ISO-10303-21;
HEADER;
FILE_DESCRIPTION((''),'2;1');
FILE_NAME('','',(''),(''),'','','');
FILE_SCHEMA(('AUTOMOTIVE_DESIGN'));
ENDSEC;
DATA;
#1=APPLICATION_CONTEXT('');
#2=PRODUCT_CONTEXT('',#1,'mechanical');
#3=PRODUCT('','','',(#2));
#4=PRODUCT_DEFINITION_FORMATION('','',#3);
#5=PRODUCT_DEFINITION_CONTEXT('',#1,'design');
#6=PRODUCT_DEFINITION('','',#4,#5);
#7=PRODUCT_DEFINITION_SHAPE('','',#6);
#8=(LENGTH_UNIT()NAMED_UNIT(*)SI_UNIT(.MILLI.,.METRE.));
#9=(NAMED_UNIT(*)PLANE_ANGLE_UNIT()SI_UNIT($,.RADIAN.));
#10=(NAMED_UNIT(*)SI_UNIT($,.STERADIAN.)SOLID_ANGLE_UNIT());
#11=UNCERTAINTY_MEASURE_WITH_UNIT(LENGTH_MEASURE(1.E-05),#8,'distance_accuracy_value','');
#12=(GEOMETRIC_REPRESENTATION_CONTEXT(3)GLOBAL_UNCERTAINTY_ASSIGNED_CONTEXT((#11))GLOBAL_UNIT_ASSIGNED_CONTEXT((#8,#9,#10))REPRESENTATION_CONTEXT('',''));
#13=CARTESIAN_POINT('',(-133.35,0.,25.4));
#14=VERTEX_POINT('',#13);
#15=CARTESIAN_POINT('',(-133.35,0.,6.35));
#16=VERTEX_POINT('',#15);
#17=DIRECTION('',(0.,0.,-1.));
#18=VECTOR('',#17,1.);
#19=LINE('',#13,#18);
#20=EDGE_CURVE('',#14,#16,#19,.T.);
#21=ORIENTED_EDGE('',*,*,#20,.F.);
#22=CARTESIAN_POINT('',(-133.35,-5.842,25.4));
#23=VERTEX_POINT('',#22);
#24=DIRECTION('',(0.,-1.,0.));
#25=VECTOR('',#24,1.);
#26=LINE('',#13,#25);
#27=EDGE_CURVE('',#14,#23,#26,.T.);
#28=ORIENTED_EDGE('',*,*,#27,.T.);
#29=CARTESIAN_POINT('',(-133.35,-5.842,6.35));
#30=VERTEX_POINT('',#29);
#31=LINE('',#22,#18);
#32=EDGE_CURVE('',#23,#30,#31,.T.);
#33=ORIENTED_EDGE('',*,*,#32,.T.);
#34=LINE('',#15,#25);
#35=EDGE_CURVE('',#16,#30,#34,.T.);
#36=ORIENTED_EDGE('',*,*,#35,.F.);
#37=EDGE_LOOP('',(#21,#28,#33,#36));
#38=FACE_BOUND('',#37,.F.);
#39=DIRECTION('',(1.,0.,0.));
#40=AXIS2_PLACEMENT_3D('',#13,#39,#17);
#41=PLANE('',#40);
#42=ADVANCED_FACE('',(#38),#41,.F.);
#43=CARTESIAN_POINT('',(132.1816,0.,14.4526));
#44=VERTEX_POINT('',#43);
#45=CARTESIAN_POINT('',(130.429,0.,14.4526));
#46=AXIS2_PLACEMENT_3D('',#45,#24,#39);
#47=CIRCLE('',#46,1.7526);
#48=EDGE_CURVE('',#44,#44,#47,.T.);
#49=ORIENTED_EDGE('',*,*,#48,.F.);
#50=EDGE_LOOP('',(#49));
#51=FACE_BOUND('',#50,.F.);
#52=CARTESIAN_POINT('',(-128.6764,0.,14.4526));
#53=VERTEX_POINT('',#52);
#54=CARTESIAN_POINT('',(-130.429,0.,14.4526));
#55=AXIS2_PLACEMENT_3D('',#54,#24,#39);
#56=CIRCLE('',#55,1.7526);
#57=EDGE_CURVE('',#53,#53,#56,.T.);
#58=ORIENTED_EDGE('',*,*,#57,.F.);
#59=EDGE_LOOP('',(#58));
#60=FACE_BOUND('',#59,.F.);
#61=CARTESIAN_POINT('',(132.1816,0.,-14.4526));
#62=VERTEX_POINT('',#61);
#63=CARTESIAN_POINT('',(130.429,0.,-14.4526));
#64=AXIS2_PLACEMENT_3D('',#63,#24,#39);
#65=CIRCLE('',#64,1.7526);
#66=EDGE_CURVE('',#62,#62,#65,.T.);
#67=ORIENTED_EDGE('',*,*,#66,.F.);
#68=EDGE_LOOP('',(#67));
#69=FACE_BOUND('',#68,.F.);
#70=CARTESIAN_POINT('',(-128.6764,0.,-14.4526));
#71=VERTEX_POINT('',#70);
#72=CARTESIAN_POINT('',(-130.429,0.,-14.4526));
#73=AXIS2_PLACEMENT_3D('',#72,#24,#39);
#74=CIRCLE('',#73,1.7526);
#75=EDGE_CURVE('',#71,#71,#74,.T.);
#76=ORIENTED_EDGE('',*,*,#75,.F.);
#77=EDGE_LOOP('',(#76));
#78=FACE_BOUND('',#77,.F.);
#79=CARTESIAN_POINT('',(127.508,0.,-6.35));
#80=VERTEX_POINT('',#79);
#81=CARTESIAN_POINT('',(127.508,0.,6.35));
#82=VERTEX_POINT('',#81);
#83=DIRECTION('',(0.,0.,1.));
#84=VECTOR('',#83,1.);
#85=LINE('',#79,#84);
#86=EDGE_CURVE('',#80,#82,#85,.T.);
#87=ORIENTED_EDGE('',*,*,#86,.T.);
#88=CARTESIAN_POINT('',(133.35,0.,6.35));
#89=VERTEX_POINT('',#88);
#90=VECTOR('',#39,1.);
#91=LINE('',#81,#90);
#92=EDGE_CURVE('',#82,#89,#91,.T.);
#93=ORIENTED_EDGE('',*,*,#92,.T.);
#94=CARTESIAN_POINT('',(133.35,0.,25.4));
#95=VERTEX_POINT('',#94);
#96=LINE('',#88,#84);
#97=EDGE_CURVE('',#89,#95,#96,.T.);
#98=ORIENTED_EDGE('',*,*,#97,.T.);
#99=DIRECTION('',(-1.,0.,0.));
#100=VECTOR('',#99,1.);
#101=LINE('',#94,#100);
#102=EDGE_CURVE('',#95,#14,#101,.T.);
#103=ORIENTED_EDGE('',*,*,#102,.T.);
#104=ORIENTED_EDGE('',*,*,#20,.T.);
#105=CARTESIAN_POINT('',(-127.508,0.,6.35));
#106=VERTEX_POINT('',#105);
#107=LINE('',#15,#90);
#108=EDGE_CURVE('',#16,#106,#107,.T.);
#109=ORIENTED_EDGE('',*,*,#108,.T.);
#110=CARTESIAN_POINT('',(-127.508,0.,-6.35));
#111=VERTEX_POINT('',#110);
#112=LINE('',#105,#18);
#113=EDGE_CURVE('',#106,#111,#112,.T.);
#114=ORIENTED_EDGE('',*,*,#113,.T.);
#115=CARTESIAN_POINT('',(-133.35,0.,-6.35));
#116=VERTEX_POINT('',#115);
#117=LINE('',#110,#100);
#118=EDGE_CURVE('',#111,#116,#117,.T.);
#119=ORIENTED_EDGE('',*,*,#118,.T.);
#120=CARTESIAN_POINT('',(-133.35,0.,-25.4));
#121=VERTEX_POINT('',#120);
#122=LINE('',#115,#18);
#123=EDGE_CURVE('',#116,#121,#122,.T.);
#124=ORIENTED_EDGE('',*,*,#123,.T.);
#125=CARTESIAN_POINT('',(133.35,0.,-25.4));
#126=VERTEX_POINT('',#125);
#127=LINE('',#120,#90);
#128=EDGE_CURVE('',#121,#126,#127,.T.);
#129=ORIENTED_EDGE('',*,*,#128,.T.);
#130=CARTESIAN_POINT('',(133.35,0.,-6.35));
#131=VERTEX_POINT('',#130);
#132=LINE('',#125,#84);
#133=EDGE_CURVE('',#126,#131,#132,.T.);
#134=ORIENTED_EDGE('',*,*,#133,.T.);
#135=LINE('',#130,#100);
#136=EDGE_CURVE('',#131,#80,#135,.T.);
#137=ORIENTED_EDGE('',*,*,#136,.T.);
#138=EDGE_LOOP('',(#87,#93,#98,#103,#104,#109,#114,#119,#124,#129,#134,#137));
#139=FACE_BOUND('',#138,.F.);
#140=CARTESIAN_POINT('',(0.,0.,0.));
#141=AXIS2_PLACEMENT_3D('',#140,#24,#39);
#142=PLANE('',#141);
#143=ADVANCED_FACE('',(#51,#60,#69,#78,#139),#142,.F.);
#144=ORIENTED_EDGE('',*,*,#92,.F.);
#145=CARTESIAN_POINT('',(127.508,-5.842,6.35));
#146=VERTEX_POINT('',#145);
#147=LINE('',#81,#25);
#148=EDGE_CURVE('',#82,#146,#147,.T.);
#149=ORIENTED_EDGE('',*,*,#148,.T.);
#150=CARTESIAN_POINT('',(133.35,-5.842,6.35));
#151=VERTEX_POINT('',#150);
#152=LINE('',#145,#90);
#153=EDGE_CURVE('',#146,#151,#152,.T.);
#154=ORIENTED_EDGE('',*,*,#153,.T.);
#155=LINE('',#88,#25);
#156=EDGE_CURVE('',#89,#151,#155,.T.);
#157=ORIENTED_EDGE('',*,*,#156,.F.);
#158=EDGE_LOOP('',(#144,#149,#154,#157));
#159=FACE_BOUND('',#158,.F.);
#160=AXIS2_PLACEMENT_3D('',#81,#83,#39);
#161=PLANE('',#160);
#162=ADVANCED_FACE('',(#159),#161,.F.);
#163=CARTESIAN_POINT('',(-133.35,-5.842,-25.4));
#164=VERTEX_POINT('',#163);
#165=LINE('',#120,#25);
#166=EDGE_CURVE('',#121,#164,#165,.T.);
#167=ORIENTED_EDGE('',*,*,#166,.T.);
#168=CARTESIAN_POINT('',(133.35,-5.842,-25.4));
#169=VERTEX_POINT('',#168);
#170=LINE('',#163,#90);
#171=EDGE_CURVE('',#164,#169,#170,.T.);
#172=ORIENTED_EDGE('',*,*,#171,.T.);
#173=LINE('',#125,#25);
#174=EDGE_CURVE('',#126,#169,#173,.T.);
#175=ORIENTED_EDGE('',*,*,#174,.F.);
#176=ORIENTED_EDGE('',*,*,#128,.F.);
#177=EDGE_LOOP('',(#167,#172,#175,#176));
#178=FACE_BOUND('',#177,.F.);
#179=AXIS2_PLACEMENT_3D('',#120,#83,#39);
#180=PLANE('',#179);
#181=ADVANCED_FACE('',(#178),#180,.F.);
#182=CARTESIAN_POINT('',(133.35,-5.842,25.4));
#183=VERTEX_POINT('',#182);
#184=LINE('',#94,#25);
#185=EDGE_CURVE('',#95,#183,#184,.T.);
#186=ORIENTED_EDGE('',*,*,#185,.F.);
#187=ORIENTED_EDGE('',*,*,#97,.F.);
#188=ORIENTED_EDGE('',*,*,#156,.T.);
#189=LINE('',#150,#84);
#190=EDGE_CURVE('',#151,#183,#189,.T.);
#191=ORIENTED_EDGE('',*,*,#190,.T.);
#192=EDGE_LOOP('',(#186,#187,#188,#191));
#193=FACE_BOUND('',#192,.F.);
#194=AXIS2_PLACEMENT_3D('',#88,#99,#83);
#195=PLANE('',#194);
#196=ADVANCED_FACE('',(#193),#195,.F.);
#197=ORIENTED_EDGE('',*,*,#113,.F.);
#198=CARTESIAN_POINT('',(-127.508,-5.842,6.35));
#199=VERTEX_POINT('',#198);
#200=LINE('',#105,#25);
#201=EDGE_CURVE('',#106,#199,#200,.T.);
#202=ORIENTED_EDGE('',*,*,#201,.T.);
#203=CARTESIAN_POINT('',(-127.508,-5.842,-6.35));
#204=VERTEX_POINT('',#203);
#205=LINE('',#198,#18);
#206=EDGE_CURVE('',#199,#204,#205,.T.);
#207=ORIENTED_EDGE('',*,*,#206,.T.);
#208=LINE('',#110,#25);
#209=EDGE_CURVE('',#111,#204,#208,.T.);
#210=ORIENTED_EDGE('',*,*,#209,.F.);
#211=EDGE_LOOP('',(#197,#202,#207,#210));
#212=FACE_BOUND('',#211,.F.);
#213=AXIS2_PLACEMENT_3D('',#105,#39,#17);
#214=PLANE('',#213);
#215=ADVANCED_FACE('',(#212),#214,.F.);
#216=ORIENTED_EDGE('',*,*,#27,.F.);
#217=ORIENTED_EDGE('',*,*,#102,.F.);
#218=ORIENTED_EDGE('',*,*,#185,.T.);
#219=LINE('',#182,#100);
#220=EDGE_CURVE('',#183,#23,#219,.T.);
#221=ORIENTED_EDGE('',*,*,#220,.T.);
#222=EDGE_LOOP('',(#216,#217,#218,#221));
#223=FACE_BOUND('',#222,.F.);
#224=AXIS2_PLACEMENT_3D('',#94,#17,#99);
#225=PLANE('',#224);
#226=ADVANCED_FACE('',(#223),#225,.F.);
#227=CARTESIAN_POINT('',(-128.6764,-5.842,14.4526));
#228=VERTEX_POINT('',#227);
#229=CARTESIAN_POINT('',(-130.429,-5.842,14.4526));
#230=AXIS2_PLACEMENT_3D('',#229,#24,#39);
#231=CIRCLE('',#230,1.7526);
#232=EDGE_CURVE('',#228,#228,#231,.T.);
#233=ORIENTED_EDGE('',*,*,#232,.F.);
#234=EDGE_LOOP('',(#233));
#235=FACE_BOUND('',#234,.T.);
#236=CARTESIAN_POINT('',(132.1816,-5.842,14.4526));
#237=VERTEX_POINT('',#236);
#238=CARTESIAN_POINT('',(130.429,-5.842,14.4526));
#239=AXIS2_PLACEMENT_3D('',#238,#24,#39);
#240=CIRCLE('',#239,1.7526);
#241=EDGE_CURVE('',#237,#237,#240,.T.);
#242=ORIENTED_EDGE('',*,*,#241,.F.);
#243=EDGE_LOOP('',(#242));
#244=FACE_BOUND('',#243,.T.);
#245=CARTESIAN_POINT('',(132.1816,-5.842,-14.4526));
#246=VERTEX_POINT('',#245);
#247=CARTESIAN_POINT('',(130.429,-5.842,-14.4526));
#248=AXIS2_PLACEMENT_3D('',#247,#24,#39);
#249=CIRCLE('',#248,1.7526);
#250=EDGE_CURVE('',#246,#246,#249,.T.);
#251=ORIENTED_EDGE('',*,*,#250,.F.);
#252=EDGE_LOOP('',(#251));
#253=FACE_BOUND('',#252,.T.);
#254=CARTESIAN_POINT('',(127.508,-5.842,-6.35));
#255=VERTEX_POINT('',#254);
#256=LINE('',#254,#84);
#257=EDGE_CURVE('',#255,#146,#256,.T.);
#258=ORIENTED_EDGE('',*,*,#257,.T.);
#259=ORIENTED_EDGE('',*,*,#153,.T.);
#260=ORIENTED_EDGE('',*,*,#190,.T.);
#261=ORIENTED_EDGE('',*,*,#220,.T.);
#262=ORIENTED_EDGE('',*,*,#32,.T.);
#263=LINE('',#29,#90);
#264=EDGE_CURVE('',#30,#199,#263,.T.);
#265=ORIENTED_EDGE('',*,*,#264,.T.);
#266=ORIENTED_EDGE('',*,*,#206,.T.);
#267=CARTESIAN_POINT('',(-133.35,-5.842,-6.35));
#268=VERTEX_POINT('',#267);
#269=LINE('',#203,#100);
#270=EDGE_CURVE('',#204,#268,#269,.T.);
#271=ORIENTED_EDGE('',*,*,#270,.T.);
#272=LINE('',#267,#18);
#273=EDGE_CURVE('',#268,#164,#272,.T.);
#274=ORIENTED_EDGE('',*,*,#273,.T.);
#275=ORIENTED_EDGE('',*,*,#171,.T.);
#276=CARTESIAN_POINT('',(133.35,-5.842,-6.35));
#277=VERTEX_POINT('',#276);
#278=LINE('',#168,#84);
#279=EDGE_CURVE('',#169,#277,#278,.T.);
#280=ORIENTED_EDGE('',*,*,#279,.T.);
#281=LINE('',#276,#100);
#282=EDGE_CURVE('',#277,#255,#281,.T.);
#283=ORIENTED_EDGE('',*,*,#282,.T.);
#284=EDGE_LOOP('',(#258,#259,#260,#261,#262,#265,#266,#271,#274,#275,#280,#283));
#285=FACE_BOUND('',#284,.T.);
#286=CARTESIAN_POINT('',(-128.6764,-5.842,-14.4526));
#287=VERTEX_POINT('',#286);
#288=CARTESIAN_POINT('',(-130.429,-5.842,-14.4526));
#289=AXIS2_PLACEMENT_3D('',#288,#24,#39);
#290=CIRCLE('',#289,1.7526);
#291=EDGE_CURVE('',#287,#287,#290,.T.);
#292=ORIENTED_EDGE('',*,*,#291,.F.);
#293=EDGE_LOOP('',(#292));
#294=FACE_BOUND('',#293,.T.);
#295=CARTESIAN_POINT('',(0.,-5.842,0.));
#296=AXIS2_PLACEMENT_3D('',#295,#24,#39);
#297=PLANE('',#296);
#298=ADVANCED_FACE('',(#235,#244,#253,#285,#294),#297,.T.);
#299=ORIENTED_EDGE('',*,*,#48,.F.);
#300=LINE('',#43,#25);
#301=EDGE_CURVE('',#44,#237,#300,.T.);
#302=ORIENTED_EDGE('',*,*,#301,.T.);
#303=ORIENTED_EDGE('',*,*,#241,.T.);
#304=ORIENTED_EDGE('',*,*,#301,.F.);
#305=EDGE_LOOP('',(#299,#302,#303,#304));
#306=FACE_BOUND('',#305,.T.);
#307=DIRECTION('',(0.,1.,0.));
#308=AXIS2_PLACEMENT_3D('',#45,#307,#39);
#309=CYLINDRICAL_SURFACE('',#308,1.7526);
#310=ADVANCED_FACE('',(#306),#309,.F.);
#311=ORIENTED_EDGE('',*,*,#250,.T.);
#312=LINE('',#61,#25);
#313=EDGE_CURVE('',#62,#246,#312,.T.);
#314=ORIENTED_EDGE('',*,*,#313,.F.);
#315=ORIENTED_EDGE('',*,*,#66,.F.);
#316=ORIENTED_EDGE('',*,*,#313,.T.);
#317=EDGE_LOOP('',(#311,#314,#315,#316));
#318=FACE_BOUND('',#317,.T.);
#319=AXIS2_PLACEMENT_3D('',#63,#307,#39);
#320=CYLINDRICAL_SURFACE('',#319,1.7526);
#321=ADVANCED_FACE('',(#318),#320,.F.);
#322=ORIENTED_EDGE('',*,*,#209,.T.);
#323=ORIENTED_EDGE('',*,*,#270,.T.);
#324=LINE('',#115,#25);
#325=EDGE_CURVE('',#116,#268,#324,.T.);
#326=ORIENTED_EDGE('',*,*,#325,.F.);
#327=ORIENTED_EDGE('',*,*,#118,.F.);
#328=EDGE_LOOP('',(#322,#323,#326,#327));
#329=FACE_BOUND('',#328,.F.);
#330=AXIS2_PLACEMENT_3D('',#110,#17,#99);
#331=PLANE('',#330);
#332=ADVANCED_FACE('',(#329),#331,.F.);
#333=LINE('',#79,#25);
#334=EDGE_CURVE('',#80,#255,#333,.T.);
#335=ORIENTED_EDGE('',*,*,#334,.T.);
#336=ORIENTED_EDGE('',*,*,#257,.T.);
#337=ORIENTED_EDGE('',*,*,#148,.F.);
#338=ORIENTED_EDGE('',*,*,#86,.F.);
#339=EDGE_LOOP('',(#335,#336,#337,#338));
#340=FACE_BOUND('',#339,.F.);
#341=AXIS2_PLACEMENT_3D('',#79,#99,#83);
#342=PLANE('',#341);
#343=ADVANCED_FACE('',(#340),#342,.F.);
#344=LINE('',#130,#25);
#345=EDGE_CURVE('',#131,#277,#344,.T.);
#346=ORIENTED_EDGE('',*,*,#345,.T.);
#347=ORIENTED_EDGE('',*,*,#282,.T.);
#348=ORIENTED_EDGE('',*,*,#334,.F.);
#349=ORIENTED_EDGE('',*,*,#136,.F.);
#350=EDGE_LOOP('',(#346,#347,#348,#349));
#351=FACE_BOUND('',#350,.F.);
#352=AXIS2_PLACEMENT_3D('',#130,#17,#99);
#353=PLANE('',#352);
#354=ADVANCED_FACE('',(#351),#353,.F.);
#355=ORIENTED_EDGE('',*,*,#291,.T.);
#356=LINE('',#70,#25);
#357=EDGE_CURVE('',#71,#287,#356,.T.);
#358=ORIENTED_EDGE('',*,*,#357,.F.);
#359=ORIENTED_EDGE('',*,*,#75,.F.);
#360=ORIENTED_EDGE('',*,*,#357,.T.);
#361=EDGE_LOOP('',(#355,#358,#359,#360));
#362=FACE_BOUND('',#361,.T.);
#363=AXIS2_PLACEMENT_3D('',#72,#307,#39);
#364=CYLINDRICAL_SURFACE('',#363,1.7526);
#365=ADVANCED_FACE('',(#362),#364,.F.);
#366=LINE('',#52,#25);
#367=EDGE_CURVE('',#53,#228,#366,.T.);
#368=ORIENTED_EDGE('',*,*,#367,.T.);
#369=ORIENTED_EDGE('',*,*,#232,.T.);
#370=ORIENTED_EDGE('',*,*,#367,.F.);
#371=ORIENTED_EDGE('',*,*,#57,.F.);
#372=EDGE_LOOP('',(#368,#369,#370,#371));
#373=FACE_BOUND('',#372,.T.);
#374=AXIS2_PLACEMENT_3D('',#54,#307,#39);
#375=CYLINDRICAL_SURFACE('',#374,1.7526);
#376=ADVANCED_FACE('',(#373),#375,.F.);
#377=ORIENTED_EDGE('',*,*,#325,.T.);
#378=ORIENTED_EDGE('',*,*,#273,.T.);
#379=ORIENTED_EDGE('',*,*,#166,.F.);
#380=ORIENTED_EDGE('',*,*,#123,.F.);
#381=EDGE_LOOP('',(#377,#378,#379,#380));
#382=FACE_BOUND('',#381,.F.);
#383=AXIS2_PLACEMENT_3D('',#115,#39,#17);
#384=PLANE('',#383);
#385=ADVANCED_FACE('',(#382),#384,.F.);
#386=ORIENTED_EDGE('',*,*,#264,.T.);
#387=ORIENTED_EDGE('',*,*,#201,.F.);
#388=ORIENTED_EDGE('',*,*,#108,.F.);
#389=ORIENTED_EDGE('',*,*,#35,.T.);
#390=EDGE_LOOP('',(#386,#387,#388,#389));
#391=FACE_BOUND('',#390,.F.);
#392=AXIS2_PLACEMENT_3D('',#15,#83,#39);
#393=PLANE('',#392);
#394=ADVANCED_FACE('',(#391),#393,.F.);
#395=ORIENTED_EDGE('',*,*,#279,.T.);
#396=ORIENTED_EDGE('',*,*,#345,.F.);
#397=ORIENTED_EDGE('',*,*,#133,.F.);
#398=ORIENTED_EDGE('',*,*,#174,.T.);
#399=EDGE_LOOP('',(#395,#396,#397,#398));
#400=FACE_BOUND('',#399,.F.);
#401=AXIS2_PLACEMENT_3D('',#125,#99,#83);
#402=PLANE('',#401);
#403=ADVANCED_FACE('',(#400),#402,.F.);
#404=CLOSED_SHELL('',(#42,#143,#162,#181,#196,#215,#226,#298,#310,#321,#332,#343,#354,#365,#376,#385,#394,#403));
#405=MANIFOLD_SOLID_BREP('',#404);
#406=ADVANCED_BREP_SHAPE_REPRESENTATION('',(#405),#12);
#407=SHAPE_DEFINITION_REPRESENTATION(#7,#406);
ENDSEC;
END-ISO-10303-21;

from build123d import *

# Parameters (mm, degrees)
F0_R     = 1.7526
F1_DEPTH = 5.842


with BuildPart() as f1:
    # F0 (on Front) → F1 (new body)
    with BuildSketch(Plane.XZ):
        Polygon((133.35, 25.4), (-133.35, 25.4), (-133.35, 6.35), (-127.508, 6.35), (-127.508, -6.35), (-133.35, -6.35), (-133.35, -25.4), (133.35, -25.4), (133.35, -6.35), (127.508, -6.35), (127.508, 6.35), (133.35, 6.35), align=None)
        with Locations((-130.429, -14.4526)):
            Circle(F0_R, mode=Mode.SUBTRACT)
        with Locations((130.429, -14.4526)):
            Circle(F0_R, mode=Mode.SUBTRACT)
        with Locations((-130.429, 14.4526)):
            Circle(F0_R, mode=Mode.SUBTRACT)
        with Locations((130.429, 14.4526)):
            Circle(F0_R, mode=Mode.SUBTRACT)
    extrude(amount=F1_DEPTH)


solid = f1.part
